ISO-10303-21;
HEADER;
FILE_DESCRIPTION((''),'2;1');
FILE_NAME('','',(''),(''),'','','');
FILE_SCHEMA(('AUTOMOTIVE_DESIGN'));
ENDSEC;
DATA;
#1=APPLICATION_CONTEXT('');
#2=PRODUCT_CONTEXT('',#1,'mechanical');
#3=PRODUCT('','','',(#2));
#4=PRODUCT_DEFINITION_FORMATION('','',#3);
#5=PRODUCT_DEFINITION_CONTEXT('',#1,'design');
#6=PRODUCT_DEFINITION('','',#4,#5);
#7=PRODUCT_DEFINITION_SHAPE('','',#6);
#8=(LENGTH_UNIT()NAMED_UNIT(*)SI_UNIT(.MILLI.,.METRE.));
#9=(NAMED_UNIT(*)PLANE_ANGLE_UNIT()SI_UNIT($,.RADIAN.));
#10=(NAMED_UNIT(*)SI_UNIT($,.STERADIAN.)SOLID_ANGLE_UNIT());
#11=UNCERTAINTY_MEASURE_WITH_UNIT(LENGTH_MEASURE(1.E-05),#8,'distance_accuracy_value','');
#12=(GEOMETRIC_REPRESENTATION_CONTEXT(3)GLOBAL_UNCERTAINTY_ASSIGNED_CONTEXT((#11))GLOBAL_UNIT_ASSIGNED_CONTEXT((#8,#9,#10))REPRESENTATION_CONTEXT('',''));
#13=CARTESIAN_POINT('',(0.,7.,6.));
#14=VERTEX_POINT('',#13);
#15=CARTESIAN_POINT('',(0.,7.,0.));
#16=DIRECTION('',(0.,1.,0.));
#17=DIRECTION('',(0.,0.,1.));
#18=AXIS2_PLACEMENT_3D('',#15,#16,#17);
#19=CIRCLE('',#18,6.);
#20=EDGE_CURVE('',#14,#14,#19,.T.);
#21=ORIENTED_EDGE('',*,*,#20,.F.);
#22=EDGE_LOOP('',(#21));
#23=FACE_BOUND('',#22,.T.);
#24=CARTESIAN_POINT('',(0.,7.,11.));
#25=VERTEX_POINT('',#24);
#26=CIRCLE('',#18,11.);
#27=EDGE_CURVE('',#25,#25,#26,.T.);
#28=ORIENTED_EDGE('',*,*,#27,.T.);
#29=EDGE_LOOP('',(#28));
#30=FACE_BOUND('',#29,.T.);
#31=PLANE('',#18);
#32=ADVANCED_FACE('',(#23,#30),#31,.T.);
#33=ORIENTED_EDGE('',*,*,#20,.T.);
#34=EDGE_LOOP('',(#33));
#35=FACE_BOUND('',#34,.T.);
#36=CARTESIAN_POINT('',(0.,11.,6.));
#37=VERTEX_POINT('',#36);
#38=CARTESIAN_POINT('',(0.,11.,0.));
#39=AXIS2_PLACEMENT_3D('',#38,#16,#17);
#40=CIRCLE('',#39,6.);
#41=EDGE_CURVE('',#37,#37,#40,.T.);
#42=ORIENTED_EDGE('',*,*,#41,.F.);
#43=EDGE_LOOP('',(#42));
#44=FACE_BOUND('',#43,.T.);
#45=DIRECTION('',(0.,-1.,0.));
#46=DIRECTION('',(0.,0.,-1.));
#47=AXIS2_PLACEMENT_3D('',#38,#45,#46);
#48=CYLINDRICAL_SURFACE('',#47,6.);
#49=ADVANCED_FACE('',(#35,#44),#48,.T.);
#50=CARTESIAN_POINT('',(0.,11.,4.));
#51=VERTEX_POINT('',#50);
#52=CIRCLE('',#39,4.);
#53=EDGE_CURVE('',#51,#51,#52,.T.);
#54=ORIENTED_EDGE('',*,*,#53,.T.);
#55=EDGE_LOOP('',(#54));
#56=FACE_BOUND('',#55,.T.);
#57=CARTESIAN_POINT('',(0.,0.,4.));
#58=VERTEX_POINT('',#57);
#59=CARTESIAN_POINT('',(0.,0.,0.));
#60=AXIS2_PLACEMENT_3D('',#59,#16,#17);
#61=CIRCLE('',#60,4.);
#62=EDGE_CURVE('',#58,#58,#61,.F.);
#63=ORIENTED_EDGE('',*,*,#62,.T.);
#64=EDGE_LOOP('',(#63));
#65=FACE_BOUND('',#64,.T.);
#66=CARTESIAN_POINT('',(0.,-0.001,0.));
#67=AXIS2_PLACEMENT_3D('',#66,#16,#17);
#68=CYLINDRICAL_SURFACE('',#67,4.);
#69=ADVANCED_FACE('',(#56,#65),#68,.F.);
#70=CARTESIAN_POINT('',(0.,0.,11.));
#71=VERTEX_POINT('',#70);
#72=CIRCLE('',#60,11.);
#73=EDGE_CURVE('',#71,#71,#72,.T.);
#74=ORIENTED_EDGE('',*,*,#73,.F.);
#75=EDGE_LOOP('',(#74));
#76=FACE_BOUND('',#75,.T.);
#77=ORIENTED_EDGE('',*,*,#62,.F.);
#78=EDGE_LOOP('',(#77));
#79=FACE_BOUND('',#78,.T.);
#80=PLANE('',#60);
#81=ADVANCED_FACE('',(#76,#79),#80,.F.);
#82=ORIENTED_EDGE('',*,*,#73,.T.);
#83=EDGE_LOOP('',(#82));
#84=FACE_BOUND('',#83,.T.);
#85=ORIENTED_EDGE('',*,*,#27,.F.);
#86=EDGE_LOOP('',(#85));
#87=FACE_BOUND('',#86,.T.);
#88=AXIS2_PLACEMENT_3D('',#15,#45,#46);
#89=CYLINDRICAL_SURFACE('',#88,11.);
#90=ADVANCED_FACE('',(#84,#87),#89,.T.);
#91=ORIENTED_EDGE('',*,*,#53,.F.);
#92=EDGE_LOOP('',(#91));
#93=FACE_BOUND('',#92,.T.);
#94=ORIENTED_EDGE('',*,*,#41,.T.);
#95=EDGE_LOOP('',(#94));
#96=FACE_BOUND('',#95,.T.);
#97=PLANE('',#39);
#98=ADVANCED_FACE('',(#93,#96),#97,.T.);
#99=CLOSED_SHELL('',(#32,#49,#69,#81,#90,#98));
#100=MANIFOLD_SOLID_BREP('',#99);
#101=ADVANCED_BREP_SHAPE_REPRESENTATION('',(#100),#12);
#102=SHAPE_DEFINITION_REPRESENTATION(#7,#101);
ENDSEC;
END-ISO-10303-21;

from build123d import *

# Parameters (mm, degrees)
SKETCH1_R           = 11
BOSS_EXTRUDE1_DEPTH = 7
SKETCH2_R           = 6
BOSS_EXTRUDE2_DEPTH = 4
CUT_EXTRUDE1_REACH  = 21.053
SKETCH3_R           = 4


with BuildPart() as part:
    # Sketch1 → Boss-Extrude1 (new body)
    with BuildSketch(Plane(origin=(0, 0, 0), x_dir=(1, 0, 0), z_dir=(0, 1, 0))):
        with Locations(Location((0, 0, 0), (0, 0, 270))):
            Circle(SKETCH1_R)
    extrude(amount=BOSS_EXTRUDE1_DEPTH)

    # Sketch2 → Boss-Extrude2 (add)
    with BuildSketch(Plane(origin=(0, 7, 0), x_dir=(1, 0, 0), z_dir=(0, 1, 0))):
        with Locations(Location((0, 0, 0), (0, 0, 270))):
            Circle(SKETCH2_R)
    extrude(amount=BOSS_EXTRUDE2_DEPTH)

    # Sketch3 → Cut-Extrude1 (cut, up to next)
    with BuildSketch(Plane(origin=(0, 11, 0), x_dir=(1, 0, 0), z_dir=(0, 1, 0)), mode=Mode.PRIVATE) as cut_extrude1_sk1:
        with Locations(Location((0, 0, 0), (0, 0, 270))):
            Circle(SKETCH3_R)
    cut_extrude1_tool1 = extrude(cut_extrude1_sk1.sketch, amount=-CUT_EXTRUDE1_REACH, mode=Mode.PRIVATE) & part.part
    add(cut_extrude1_tool1.solids().sort_by_distance((0, 11, 0))[0], mode=Mode.SUBTRACT)


solid = part.part
